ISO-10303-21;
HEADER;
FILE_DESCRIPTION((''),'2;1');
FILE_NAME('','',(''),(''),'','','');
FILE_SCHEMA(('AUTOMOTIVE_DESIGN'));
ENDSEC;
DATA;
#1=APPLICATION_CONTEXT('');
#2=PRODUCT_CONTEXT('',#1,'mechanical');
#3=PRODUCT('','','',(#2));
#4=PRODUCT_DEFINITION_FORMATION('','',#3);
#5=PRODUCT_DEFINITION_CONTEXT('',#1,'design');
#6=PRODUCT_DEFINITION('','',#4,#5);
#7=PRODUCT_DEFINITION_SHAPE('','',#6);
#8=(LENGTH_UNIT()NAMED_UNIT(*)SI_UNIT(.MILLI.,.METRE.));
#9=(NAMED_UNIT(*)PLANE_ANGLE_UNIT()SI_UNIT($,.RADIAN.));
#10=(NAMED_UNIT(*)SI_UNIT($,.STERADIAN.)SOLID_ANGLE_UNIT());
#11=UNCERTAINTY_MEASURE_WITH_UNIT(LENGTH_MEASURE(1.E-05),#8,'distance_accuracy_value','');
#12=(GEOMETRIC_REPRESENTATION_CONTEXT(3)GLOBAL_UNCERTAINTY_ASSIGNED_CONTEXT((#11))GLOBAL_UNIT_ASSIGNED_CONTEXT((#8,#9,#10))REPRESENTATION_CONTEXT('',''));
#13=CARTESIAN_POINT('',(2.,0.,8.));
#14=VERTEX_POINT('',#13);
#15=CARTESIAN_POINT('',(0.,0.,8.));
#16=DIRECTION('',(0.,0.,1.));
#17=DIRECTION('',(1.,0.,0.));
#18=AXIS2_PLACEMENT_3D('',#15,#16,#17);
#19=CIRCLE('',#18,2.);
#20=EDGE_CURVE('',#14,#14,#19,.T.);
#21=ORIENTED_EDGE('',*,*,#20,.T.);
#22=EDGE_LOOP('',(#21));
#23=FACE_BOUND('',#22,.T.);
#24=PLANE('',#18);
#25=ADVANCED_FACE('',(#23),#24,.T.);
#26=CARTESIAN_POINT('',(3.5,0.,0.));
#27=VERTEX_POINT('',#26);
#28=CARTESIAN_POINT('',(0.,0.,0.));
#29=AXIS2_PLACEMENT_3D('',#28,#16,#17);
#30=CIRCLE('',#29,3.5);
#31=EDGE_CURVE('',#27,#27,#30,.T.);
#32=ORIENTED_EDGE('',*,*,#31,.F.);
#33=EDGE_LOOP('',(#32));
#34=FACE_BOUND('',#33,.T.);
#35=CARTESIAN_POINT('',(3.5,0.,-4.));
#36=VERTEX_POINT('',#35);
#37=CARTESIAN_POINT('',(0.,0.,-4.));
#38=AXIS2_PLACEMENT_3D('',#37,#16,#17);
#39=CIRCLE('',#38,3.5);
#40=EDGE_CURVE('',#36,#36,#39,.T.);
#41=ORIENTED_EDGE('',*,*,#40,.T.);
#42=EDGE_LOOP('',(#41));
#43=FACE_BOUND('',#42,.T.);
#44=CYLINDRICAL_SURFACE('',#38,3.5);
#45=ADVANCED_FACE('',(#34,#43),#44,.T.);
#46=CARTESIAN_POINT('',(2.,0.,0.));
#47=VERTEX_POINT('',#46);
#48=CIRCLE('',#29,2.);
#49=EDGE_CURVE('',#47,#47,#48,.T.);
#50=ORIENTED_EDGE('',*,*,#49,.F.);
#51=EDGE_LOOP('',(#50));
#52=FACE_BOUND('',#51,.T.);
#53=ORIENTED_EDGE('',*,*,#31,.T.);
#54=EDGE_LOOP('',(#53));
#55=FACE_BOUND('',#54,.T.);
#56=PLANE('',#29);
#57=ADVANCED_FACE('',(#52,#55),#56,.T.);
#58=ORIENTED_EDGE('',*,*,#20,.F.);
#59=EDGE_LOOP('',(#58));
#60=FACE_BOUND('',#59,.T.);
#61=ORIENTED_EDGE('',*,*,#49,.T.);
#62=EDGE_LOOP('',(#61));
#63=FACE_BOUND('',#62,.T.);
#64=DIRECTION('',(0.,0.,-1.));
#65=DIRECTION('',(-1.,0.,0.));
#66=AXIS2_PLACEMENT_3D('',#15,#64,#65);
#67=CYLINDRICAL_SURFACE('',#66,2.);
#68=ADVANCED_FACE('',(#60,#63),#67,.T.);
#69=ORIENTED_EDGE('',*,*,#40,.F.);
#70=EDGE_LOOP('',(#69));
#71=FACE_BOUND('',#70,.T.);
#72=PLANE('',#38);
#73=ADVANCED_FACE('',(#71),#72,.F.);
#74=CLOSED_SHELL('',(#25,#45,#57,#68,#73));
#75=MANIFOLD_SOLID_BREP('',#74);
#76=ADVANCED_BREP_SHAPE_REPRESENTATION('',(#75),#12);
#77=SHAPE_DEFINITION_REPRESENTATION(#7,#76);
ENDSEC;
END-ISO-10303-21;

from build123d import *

# Parameters (mm, degrees)
SKETCH1_R           = 2
BOSS_EXTRUDE1_DEPTH = 8
SKETCH2_R           = 3.5
BOSS_EXTRUDE2_DEPTH = 4


with BuildPart() as part:
    # Sketch1 → Boss-Extrude1 (new body)
    with BuildSketch(Plane.XY):
        Circle(SKETCH1_R)
    extrude(amount=BOSS_EXTRUDE1_DEPTH)

    # Sketch2 → Boss-Extrude2 (add)
    with BuildSketch(Plane.XY):
        Circle(SKETCH2_R)
    extrude(amount=-BOSS_EXTRUDE2_DEPTH)


solid = part.part
